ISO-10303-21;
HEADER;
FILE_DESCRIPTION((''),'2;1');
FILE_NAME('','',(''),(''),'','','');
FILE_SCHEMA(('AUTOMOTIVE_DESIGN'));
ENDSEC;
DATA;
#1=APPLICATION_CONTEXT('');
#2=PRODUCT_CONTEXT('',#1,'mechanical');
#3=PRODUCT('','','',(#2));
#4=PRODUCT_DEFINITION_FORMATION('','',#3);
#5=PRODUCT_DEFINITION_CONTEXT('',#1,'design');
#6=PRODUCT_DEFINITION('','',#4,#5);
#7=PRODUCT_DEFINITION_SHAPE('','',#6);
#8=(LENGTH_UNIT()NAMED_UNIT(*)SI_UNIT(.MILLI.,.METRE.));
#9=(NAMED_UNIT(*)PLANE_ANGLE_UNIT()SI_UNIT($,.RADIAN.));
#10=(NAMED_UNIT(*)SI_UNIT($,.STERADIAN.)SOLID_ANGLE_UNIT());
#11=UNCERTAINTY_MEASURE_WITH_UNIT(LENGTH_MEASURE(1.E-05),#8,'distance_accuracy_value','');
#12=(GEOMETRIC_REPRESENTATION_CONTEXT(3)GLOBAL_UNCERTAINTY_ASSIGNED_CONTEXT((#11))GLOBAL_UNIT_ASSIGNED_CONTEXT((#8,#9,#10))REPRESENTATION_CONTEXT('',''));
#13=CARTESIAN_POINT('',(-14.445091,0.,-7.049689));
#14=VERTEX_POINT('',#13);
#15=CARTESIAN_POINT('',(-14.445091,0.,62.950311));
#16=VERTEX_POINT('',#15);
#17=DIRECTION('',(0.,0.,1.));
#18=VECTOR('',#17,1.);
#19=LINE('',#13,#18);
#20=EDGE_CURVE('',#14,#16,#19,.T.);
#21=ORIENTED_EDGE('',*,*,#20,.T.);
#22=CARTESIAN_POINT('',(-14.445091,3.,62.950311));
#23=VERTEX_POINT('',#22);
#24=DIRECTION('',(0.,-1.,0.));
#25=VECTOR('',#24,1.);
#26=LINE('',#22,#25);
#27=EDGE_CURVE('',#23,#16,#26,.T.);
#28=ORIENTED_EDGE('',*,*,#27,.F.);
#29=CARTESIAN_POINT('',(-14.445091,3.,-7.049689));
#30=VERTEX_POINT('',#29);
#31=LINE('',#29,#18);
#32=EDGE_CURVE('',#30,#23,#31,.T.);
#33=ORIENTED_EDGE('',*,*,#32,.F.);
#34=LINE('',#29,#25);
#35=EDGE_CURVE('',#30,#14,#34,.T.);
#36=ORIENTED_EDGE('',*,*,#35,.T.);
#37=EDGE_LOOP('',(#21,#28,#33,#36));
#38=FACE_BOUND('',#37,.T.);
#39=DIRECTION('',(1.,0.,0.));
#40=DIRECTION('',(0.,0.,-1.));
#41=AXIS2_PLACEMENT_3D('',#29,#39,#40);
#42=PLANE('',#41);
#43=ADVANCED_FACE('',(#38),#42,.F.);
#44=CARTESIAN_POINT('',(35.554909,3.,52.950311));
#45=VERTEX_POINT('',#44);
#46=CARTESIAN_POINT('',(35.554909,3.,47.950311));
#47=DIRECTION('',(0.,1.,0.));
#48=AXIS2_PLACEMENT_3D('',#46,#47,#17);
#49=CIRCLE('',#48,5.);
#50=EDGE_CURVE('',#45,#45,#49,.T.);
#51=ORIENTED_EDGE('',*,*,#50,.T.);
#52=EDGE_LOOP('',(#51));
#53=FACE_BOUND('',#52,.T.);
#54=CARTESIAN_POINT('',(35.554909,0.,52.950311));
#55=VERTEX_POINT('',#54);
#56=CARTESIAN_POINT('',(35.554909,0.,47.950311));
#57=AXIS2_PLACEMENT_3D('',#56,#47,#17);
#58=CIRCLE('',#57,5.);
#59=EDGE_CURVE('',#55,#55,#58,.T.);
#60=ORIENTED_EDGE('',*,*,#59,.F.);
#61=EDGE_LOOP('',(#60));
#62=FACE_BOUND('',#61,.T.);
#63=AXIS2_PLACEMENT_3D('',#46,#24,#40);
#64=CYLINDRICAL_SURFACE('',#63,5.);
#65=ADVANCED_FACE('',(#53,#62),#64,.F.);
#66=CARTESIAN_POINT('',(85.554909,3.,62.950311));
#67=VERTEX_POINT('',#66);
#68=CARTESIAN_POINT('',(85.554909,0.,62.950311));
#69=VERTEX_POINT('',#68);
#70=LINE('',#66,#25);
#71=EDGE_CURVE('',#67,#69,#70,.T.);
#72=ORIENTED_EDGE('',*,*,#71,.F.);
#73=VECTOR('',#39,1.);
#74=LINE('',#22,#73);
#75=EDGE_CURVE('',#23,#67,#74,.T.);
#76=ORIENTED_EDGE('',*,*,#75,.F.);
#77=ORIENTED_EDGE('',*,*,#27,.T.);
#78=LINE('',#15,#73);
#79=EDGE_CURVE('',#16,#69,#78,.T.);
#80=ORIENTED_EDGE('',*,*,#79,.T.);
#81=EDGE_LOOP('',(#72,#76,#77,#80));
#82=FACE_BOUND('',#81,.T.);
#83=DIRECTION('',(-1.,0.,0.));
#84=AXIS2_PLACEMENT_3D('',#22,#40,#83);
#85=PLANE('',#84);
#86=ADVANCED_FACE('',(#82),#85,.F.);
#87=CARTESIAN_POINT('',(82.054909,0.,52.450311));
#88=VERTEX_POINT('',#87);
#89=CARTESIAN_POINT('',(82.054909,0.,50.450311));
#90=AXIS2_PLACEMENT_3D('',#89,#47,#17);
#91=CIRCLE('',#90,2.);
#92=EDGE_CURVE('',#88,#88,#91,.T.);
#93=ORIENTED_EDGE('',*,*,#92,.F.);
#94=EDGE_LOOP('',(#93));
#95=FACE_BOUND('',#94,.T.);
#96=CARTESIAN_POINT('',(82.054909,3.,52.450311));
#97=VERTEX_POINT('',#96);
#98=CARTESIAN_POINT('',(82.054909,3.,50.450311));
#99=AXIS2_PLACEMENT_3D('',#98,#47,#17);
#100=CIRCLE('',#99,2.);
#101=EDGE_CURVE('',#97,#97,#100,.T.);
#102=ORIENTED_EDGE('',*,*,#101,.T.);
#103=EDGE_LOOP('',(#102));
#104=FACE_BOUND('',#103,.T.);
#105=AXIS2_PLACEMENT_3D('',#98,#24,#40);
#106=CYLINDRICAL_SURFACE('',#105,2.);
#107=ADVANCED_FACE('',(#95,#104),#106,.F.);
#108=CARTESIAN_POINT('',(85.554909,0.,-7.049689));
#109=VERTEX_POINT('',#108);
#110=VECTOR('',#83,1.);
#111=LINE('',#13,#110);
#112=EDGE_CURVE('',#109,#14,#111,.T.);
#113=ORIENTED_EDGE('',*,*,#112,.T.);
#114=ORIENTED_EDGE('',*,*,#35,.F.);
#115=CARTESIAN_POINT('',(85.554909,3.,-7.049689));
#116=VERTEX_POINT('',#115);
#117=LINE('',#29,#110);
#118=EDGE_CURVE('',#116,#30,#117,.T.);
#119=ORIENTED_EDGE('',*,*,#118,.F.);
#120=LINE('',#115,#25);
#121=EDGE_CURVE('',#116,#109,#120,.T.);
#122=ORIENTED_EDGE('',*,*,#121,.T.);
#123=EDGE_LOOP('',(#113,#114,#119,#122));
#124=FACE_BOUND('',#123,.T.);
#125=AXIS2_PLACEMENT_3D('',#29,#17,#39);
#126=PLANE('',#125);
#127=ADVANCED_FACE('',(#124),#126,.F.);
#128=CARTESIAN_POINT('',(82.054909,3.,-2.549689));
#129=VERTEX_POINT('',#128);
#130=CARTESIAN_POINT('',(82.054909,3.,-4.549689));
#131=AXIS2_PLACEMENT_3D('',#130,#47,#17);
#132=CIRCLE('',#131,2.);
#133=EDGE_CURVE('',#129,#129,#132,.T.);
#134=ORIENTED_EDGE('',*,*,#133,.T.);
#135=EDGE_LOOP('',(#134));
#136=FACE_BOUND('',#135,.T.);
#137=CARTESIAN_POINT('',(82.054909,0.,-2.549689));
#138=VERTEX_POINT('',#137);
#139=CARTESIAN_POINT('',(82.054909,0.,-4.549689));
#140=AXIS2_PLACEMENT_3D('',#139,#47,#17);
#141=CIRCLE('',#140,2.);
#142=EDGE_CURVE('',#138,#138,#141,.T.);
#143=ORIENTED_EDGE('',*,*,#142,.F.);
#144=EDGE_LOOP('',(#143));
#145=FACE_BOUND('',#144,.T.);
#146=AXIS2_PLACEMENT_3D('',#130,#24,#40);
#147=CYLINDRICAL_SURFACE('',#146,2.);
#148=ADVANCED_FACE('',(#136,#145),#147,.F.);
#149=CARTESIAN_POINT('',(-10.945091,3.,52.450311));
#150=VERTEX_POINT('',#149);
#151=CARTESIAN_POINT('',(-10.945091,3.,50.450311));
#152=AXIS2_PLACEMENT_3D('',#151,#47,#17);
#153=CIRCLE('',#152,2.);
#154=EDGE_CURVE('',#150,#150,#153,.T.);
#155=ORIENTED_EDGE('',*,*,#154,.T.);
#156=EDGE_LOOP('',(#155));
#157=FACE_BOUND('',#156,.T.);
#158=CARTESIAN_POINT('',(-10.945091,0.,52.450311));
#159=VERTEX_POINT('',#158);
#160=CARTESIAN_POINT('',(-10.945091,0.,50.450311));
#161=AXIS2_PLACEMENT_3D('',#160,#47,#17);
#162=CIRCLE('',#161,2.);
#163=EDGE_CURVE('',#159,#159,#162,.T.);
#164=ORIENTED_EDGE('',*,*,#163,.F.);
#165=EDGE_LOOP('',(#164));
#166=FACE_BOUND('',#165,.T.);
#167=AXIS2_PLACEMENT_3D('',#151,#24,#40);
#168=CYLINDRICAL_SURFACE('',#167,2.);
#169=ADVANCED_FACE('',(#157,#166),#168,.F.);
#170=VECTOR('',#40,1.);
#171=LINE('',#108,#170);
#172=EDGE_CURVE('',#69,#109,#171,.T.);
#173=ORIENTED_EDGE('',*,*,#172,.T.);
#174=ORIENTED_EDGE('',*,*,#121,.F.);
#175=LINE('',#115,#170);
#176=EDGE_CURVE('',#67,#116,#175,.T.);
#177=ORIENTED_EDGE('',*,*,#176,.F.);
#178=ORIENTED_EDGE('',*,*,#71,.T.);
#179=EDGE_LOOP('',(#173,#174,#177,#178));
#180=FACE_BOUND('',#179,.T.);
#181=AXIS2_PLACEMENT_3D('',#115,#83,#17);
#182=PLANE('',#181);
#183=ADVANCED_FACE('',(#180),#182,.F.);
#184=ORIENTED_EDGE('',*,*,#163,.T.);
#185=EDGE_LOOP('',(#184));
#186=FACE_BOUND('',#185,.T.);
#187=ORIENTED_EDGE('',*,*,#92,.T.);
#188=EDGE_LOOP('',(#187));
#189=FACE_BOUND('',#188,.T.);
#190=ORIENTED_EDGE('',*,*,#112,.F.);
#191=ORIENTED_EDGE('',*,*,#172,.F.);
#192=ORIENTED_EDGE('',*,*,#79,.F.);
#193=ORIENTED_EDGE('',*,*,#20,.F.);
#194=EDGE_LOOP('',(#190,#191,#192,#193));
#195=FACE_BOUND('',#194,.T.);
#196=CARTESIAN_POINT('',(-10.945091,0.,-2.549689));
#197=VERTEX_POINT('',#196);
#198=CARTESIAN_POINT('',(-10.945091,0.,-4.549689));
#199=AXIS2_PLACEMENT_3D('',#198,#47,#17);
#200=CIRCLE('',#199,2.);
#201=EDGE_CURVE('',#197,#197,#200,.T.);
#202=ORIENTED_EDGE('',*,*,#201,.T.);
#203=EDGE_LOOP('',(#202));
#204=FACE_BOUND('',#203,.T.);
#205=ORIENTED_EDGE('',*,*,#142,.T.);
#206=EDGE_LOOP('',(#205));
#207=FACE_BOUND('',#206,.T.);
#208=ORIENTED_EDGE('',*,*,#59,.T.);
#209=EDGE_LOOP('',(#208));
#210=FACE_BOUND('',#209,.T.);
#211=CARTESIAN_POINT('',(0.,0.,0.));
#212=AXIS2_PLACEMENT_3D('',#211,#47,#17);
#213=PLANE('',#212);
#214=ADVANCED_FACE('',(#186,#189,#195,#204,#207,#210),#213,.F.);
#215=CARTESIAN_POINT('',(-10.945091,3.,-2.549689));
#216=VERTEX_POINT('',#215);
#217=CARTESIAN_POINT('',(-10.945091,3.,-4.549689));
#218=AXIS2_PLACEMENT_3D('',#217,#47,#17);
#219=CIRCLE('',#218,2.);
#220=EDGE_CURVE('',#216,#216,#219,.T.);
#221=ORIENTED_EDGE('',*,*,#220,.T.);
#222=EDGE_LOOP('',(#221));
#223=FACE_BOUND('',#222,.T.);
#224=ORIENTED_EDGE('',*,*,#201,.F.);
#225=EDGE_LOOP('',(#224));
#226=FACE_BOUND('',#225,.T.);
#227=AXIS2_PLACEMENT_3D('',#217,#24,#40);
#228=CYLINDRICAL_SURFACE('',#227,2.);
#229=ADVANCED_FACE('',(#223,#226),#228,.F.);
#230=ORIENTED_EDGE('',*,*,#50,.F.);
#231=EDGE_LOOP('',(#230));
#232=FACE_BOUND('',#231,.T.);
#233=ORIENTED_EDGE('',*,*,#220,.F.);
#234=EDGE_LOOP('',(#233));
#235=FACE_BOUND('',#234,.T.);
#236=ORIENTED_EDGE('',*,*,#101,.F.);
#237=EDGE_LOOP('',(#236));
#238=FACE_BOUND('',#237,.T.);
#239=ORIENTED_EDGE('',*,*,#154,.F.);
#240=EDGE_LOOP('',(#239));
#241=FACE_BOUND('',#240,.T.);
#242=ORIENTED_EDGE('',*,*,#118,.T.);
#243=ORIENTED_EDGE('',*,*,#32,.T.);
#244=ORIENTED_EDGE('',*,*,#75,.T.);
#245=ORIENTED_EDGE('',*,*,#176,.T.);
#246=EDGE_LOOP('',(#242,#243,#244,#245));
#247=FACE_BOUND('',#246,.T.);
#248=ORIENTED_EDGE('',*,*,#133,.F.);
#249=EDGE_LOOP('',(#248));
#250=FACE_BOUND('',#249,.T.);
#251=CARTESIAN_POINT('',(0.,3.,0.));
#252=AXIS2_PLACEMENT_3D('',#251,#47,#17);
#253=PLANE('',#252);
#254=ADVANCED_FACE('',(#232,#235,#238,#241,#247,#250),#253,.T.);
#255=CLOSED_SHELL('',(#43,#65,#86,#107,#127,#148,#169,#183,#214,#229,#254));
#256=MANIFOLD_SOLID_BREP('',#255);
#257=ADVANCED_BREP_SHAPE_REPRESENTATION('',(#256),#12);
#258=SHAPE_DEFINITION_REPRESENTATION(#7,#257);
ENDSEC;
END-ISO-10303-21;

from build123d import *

# Parameters (mm, degrees)
SKETCH1_W           = 100
SKETCH1_H           = 70
SKETCH1_R           = 2
SKETCH1_R_2         = 5
BOSS_EXTRUDE1_DEPTH = 3


with BuildPart() as part:
    # Sketch1 → Boss-Extrude1 (new body)
    with BuildSketch(Plane(origin=(0, 0, 0), x_dir=(1, 0, 0), z_dir=(0, 1, 0))):
        with Locations((35.554909051, -27.950310559)):
            Rectangle(SKETCH1_W, SKETCH1_H)
        with Locations(Location((-10.945090949, 4.549689441, 0), (0, 0, 270))):
            Circle(SKETCH1_R, mode=Mode.SUBTRACT)
        with Locations(Location((82.054909051, 4.549689441, 0), (0, 0, 270))):
            Circle(SKETCH1_R, mode=Mode.SUBTRACT)
        with Locations(Location((-10.945090949, -50.450310559, 0), (0, 0, 270))):
            Circle(SKETCH1_R, mode=Mode.SUBTRACT)
        with Locations(Location((82.054909051, -50.450310559, 0), (0, 0, 270))):
            Circle(SKETCH1_R, mode=Mode.SUBTRACT)
        with Locations(Location((35.554909051, -47.950310559, 0), (0, 0, 270))):
            Circle(SKETCH1_R_2, mode=Mode.SUBTRACT)
    extrude(amount=BOSS_EXTRUDE1_DEPTH)


solid = part.part
